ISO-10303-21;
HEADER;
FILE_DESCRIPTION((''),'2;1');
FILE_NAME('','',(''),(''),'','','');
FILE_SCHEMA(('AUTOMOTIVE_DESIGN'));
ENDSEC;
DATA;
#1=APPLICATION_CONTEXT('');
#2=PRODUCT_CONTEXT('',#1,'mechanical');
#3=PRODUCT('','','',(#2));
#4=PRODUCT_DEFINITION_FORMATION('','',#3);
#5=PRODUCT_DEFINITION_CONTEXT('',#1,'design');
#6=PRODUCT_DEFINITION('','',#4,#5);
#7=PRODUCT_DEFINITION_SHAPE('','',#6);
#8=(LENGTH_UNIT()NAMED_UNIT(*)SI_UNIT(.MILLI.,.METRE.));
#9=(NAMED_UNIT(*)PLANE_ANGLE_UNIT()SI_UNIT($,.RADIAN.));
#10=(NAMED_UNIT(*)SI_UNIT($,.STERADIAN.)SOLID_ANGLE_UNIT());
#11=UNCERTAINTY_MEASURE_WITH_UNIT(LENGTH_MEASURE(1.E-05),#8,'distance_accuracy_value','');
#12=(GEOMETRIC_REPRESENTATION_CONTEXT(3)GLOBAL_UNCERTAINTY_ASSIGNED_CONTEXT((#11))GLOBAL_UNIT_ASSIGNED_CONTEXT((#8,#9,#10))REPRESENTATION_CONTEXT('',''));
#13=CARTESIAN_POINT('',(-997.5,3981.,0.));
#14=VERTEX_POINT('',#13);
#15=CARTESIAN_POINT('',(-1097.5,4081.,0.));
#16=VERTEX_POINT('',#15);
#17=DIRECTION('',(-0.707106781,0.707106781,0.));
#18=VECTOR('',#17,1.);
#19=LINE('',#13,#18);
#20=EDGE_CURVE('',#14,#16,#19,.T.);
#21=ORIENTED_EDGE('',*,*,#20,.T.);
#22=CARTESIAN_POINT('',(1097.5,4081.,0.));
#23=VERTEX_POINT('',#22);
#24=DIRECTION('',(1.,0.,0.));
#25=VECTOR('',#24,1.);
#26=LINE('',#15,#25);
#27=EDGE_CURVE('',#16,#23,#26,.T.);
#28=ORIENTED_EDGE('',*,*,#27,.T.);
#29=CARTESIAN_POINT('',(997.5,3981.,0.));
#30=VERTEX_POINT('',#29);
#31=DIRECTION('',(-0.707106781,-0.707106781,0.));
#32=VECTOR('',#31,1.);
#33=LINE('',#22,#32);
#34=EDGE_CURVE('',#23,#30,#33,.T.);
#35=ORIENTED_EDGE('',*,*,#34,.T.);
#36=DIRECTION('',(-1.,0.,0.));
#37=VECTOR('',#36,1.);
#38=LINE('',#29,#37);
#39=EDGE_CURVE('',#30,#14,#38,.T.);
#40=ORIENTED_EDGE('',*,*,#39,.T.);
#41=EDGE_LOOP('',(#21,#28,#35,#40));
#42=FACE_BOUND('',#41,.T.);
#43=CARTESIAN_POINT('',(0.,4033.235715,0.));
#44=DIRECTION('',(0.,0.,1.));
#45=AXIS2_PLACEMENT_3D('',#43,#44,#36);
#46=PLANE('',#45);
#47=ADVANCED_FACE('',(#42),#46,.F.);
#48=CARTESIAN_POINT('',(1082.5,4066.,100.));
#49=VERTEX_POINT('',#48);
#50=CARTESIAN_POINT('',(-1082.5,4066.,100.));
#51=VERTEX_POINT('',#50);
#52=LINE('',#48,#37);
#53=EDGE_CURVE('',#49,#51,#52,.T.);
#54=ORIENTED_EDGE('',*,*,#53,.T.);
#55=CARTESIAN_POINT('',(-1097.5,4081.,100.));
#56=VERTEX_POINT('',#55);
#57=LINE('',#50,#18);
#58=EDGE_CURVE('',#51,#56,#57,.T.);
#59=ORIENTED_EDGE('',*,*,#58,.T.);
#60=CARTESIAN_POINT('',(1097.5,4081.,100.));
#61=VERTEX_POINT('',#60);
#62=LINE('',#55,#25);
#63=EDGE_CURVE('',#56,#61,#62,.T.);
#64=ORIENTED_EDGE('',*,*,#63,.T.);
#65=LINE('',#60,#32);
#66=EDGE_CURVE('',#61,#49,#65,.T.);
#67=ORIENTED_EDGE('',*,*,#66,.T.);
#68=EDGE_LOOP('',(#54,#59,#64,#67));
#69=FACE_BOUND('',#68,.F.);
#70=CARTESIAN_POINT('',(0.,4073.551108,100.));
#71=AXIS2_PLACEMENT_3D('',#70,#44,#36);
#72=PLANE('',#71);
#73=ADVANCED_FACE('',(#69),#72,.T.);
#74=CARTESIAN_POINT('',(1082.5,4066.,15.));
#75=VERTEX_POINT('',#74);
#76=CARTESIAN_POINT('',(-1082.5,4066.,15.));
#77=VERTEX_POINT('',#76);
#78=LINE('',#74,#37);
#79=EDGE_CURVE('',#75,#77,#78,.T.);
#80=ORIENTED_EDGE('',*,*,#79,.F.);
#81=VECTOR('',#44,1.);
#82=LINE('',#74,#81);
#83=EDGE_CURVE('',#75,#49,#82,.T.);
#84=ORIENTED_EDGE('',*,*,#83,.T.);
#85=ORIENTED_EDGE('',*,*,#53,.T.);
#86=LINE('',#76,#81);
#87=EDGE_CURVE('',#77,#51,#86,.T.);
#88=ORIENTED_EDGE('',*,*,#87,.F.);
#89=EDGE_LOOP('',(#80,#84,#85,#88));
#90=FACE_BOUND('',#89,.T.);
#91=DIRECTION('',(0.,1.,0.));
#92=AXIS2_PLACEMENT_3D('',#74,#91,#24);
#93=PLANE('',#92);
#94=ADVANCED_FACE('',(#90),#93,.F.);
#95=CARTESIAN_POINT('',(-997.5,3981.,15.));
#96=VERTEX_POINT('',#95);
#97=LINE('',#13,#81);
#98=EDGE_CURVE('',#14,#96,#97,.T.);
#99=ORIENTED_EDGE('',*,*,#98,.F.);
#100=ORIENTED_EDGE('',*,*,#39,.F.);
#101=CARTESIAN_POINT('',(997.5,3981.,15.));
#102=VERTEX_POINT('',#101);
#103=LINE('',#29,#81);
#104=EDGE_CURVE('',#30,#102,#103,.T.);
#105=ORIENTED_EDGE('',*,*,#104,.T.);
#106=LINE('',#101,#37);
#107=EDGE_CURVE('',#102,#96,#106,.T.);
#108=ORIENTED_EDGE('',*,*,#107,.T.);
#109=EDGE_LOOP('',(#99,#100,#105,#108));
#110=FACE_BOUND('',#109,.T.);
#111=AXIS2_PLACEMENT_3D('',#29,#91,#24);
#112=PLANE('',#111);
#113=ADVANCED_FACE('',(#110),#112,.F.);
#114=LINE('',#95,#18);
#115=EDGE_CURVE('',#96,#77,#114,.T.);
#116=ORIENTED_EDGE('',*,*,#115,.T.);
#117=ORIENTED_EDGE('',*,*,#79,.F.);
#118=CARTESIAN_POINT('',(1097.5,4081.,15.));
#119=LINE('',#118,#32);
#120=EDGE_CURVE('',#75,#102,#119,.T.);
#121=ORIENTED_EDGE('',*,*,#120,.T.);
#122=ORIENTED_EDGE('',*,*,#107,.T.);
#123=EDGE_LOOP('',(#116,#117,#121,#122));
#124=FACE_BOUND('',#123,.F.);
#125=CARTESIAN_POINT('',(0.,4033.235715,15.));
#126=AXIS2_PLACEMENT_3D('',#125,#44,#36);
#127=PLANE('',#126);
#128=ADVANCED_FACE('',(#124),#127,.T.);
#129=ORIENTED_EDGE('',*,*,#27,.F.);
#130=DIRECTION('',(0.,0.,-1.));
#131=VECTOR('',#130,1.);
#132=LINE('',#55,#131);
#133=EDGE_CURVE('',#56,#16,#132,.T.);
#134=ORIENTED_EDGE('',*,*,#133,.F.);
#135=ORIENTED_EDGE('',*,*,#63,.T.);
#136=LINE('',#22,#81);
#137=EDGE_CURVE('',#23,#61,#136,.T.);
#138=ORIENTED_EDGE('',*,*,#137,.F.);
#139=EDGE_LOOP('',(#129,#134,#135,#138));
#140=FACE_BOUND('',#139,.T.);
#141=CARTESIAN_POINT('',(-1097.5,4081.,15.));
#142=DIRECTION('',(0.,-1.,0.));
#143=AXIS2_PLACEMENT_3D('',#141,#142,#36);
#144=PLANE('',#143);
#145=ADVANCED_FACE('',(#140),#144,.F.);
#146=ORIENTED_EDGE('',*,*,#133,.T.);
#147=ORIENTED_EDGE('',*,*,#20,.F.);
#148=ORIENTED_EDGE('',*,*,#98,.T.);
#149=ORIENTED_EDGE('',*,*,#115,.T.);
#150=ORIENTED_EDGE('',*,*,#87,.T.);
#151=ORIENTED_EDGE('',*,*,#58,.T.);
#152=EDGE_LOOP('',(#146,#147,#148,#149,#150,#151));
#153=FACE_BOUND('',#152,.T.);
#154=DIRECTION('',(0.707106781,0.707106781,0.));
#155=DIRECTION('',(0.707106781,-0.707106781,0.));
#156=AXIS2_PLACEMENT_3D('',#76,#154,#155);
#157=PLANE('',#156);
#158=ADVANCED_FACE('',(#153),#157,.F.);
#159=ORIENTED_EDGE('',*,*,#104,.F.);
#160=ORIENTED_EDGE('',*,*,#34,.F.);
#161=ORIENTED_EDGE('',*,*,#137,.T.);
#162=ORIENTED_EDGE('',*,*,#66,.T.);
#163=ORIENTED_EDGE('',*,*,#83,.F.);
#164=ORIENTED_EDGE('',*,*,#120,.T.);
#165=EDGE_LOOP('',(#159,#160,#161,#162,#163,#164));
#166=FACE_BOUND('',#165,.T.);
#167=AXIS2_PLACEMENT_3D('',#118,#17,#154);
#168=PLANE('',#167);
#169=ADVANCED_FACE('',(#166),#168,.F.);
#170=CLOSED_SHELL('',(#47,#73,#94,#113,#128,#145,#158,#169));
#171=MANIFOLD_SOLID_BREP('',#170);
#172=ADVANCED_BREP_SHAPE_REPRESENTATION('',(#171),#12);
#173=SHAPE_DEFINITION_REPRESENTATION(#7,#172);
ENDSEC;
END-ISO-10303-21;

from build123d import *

# Parameters (mm, degrees)
F1_DEPTH = 15
F3_DEPTH = 85


with BuildPart() as f1:
    # F0 (on Top) → F1 (new body)
    with BuildSketch(Plane.XY):
        Polygon((-1097.5, 100), (1097.5, 100), (997.5, 200), (-997.5, 200), align=None)
    extrude(amount=F1_DEPTH)

    # F2 (on face) → F3 (join)
    with BuildSketch(Plane.XY.offset(15)):
        Polygon((-1097.5, 100), (1097.5, 100), (1082.5, 115), (-1082.5, 115), align=None)
    extrude(amount=F3_DEPTH)


with BuildPart() as f5_1:
    # F5: instance of F1
    add(f1.part.mirror(Plane(origin=(0, 2090.5, 50), x_dir=(1, 0, 0), z_dir=(0, -1, 0))))


solid = f5_1.part
